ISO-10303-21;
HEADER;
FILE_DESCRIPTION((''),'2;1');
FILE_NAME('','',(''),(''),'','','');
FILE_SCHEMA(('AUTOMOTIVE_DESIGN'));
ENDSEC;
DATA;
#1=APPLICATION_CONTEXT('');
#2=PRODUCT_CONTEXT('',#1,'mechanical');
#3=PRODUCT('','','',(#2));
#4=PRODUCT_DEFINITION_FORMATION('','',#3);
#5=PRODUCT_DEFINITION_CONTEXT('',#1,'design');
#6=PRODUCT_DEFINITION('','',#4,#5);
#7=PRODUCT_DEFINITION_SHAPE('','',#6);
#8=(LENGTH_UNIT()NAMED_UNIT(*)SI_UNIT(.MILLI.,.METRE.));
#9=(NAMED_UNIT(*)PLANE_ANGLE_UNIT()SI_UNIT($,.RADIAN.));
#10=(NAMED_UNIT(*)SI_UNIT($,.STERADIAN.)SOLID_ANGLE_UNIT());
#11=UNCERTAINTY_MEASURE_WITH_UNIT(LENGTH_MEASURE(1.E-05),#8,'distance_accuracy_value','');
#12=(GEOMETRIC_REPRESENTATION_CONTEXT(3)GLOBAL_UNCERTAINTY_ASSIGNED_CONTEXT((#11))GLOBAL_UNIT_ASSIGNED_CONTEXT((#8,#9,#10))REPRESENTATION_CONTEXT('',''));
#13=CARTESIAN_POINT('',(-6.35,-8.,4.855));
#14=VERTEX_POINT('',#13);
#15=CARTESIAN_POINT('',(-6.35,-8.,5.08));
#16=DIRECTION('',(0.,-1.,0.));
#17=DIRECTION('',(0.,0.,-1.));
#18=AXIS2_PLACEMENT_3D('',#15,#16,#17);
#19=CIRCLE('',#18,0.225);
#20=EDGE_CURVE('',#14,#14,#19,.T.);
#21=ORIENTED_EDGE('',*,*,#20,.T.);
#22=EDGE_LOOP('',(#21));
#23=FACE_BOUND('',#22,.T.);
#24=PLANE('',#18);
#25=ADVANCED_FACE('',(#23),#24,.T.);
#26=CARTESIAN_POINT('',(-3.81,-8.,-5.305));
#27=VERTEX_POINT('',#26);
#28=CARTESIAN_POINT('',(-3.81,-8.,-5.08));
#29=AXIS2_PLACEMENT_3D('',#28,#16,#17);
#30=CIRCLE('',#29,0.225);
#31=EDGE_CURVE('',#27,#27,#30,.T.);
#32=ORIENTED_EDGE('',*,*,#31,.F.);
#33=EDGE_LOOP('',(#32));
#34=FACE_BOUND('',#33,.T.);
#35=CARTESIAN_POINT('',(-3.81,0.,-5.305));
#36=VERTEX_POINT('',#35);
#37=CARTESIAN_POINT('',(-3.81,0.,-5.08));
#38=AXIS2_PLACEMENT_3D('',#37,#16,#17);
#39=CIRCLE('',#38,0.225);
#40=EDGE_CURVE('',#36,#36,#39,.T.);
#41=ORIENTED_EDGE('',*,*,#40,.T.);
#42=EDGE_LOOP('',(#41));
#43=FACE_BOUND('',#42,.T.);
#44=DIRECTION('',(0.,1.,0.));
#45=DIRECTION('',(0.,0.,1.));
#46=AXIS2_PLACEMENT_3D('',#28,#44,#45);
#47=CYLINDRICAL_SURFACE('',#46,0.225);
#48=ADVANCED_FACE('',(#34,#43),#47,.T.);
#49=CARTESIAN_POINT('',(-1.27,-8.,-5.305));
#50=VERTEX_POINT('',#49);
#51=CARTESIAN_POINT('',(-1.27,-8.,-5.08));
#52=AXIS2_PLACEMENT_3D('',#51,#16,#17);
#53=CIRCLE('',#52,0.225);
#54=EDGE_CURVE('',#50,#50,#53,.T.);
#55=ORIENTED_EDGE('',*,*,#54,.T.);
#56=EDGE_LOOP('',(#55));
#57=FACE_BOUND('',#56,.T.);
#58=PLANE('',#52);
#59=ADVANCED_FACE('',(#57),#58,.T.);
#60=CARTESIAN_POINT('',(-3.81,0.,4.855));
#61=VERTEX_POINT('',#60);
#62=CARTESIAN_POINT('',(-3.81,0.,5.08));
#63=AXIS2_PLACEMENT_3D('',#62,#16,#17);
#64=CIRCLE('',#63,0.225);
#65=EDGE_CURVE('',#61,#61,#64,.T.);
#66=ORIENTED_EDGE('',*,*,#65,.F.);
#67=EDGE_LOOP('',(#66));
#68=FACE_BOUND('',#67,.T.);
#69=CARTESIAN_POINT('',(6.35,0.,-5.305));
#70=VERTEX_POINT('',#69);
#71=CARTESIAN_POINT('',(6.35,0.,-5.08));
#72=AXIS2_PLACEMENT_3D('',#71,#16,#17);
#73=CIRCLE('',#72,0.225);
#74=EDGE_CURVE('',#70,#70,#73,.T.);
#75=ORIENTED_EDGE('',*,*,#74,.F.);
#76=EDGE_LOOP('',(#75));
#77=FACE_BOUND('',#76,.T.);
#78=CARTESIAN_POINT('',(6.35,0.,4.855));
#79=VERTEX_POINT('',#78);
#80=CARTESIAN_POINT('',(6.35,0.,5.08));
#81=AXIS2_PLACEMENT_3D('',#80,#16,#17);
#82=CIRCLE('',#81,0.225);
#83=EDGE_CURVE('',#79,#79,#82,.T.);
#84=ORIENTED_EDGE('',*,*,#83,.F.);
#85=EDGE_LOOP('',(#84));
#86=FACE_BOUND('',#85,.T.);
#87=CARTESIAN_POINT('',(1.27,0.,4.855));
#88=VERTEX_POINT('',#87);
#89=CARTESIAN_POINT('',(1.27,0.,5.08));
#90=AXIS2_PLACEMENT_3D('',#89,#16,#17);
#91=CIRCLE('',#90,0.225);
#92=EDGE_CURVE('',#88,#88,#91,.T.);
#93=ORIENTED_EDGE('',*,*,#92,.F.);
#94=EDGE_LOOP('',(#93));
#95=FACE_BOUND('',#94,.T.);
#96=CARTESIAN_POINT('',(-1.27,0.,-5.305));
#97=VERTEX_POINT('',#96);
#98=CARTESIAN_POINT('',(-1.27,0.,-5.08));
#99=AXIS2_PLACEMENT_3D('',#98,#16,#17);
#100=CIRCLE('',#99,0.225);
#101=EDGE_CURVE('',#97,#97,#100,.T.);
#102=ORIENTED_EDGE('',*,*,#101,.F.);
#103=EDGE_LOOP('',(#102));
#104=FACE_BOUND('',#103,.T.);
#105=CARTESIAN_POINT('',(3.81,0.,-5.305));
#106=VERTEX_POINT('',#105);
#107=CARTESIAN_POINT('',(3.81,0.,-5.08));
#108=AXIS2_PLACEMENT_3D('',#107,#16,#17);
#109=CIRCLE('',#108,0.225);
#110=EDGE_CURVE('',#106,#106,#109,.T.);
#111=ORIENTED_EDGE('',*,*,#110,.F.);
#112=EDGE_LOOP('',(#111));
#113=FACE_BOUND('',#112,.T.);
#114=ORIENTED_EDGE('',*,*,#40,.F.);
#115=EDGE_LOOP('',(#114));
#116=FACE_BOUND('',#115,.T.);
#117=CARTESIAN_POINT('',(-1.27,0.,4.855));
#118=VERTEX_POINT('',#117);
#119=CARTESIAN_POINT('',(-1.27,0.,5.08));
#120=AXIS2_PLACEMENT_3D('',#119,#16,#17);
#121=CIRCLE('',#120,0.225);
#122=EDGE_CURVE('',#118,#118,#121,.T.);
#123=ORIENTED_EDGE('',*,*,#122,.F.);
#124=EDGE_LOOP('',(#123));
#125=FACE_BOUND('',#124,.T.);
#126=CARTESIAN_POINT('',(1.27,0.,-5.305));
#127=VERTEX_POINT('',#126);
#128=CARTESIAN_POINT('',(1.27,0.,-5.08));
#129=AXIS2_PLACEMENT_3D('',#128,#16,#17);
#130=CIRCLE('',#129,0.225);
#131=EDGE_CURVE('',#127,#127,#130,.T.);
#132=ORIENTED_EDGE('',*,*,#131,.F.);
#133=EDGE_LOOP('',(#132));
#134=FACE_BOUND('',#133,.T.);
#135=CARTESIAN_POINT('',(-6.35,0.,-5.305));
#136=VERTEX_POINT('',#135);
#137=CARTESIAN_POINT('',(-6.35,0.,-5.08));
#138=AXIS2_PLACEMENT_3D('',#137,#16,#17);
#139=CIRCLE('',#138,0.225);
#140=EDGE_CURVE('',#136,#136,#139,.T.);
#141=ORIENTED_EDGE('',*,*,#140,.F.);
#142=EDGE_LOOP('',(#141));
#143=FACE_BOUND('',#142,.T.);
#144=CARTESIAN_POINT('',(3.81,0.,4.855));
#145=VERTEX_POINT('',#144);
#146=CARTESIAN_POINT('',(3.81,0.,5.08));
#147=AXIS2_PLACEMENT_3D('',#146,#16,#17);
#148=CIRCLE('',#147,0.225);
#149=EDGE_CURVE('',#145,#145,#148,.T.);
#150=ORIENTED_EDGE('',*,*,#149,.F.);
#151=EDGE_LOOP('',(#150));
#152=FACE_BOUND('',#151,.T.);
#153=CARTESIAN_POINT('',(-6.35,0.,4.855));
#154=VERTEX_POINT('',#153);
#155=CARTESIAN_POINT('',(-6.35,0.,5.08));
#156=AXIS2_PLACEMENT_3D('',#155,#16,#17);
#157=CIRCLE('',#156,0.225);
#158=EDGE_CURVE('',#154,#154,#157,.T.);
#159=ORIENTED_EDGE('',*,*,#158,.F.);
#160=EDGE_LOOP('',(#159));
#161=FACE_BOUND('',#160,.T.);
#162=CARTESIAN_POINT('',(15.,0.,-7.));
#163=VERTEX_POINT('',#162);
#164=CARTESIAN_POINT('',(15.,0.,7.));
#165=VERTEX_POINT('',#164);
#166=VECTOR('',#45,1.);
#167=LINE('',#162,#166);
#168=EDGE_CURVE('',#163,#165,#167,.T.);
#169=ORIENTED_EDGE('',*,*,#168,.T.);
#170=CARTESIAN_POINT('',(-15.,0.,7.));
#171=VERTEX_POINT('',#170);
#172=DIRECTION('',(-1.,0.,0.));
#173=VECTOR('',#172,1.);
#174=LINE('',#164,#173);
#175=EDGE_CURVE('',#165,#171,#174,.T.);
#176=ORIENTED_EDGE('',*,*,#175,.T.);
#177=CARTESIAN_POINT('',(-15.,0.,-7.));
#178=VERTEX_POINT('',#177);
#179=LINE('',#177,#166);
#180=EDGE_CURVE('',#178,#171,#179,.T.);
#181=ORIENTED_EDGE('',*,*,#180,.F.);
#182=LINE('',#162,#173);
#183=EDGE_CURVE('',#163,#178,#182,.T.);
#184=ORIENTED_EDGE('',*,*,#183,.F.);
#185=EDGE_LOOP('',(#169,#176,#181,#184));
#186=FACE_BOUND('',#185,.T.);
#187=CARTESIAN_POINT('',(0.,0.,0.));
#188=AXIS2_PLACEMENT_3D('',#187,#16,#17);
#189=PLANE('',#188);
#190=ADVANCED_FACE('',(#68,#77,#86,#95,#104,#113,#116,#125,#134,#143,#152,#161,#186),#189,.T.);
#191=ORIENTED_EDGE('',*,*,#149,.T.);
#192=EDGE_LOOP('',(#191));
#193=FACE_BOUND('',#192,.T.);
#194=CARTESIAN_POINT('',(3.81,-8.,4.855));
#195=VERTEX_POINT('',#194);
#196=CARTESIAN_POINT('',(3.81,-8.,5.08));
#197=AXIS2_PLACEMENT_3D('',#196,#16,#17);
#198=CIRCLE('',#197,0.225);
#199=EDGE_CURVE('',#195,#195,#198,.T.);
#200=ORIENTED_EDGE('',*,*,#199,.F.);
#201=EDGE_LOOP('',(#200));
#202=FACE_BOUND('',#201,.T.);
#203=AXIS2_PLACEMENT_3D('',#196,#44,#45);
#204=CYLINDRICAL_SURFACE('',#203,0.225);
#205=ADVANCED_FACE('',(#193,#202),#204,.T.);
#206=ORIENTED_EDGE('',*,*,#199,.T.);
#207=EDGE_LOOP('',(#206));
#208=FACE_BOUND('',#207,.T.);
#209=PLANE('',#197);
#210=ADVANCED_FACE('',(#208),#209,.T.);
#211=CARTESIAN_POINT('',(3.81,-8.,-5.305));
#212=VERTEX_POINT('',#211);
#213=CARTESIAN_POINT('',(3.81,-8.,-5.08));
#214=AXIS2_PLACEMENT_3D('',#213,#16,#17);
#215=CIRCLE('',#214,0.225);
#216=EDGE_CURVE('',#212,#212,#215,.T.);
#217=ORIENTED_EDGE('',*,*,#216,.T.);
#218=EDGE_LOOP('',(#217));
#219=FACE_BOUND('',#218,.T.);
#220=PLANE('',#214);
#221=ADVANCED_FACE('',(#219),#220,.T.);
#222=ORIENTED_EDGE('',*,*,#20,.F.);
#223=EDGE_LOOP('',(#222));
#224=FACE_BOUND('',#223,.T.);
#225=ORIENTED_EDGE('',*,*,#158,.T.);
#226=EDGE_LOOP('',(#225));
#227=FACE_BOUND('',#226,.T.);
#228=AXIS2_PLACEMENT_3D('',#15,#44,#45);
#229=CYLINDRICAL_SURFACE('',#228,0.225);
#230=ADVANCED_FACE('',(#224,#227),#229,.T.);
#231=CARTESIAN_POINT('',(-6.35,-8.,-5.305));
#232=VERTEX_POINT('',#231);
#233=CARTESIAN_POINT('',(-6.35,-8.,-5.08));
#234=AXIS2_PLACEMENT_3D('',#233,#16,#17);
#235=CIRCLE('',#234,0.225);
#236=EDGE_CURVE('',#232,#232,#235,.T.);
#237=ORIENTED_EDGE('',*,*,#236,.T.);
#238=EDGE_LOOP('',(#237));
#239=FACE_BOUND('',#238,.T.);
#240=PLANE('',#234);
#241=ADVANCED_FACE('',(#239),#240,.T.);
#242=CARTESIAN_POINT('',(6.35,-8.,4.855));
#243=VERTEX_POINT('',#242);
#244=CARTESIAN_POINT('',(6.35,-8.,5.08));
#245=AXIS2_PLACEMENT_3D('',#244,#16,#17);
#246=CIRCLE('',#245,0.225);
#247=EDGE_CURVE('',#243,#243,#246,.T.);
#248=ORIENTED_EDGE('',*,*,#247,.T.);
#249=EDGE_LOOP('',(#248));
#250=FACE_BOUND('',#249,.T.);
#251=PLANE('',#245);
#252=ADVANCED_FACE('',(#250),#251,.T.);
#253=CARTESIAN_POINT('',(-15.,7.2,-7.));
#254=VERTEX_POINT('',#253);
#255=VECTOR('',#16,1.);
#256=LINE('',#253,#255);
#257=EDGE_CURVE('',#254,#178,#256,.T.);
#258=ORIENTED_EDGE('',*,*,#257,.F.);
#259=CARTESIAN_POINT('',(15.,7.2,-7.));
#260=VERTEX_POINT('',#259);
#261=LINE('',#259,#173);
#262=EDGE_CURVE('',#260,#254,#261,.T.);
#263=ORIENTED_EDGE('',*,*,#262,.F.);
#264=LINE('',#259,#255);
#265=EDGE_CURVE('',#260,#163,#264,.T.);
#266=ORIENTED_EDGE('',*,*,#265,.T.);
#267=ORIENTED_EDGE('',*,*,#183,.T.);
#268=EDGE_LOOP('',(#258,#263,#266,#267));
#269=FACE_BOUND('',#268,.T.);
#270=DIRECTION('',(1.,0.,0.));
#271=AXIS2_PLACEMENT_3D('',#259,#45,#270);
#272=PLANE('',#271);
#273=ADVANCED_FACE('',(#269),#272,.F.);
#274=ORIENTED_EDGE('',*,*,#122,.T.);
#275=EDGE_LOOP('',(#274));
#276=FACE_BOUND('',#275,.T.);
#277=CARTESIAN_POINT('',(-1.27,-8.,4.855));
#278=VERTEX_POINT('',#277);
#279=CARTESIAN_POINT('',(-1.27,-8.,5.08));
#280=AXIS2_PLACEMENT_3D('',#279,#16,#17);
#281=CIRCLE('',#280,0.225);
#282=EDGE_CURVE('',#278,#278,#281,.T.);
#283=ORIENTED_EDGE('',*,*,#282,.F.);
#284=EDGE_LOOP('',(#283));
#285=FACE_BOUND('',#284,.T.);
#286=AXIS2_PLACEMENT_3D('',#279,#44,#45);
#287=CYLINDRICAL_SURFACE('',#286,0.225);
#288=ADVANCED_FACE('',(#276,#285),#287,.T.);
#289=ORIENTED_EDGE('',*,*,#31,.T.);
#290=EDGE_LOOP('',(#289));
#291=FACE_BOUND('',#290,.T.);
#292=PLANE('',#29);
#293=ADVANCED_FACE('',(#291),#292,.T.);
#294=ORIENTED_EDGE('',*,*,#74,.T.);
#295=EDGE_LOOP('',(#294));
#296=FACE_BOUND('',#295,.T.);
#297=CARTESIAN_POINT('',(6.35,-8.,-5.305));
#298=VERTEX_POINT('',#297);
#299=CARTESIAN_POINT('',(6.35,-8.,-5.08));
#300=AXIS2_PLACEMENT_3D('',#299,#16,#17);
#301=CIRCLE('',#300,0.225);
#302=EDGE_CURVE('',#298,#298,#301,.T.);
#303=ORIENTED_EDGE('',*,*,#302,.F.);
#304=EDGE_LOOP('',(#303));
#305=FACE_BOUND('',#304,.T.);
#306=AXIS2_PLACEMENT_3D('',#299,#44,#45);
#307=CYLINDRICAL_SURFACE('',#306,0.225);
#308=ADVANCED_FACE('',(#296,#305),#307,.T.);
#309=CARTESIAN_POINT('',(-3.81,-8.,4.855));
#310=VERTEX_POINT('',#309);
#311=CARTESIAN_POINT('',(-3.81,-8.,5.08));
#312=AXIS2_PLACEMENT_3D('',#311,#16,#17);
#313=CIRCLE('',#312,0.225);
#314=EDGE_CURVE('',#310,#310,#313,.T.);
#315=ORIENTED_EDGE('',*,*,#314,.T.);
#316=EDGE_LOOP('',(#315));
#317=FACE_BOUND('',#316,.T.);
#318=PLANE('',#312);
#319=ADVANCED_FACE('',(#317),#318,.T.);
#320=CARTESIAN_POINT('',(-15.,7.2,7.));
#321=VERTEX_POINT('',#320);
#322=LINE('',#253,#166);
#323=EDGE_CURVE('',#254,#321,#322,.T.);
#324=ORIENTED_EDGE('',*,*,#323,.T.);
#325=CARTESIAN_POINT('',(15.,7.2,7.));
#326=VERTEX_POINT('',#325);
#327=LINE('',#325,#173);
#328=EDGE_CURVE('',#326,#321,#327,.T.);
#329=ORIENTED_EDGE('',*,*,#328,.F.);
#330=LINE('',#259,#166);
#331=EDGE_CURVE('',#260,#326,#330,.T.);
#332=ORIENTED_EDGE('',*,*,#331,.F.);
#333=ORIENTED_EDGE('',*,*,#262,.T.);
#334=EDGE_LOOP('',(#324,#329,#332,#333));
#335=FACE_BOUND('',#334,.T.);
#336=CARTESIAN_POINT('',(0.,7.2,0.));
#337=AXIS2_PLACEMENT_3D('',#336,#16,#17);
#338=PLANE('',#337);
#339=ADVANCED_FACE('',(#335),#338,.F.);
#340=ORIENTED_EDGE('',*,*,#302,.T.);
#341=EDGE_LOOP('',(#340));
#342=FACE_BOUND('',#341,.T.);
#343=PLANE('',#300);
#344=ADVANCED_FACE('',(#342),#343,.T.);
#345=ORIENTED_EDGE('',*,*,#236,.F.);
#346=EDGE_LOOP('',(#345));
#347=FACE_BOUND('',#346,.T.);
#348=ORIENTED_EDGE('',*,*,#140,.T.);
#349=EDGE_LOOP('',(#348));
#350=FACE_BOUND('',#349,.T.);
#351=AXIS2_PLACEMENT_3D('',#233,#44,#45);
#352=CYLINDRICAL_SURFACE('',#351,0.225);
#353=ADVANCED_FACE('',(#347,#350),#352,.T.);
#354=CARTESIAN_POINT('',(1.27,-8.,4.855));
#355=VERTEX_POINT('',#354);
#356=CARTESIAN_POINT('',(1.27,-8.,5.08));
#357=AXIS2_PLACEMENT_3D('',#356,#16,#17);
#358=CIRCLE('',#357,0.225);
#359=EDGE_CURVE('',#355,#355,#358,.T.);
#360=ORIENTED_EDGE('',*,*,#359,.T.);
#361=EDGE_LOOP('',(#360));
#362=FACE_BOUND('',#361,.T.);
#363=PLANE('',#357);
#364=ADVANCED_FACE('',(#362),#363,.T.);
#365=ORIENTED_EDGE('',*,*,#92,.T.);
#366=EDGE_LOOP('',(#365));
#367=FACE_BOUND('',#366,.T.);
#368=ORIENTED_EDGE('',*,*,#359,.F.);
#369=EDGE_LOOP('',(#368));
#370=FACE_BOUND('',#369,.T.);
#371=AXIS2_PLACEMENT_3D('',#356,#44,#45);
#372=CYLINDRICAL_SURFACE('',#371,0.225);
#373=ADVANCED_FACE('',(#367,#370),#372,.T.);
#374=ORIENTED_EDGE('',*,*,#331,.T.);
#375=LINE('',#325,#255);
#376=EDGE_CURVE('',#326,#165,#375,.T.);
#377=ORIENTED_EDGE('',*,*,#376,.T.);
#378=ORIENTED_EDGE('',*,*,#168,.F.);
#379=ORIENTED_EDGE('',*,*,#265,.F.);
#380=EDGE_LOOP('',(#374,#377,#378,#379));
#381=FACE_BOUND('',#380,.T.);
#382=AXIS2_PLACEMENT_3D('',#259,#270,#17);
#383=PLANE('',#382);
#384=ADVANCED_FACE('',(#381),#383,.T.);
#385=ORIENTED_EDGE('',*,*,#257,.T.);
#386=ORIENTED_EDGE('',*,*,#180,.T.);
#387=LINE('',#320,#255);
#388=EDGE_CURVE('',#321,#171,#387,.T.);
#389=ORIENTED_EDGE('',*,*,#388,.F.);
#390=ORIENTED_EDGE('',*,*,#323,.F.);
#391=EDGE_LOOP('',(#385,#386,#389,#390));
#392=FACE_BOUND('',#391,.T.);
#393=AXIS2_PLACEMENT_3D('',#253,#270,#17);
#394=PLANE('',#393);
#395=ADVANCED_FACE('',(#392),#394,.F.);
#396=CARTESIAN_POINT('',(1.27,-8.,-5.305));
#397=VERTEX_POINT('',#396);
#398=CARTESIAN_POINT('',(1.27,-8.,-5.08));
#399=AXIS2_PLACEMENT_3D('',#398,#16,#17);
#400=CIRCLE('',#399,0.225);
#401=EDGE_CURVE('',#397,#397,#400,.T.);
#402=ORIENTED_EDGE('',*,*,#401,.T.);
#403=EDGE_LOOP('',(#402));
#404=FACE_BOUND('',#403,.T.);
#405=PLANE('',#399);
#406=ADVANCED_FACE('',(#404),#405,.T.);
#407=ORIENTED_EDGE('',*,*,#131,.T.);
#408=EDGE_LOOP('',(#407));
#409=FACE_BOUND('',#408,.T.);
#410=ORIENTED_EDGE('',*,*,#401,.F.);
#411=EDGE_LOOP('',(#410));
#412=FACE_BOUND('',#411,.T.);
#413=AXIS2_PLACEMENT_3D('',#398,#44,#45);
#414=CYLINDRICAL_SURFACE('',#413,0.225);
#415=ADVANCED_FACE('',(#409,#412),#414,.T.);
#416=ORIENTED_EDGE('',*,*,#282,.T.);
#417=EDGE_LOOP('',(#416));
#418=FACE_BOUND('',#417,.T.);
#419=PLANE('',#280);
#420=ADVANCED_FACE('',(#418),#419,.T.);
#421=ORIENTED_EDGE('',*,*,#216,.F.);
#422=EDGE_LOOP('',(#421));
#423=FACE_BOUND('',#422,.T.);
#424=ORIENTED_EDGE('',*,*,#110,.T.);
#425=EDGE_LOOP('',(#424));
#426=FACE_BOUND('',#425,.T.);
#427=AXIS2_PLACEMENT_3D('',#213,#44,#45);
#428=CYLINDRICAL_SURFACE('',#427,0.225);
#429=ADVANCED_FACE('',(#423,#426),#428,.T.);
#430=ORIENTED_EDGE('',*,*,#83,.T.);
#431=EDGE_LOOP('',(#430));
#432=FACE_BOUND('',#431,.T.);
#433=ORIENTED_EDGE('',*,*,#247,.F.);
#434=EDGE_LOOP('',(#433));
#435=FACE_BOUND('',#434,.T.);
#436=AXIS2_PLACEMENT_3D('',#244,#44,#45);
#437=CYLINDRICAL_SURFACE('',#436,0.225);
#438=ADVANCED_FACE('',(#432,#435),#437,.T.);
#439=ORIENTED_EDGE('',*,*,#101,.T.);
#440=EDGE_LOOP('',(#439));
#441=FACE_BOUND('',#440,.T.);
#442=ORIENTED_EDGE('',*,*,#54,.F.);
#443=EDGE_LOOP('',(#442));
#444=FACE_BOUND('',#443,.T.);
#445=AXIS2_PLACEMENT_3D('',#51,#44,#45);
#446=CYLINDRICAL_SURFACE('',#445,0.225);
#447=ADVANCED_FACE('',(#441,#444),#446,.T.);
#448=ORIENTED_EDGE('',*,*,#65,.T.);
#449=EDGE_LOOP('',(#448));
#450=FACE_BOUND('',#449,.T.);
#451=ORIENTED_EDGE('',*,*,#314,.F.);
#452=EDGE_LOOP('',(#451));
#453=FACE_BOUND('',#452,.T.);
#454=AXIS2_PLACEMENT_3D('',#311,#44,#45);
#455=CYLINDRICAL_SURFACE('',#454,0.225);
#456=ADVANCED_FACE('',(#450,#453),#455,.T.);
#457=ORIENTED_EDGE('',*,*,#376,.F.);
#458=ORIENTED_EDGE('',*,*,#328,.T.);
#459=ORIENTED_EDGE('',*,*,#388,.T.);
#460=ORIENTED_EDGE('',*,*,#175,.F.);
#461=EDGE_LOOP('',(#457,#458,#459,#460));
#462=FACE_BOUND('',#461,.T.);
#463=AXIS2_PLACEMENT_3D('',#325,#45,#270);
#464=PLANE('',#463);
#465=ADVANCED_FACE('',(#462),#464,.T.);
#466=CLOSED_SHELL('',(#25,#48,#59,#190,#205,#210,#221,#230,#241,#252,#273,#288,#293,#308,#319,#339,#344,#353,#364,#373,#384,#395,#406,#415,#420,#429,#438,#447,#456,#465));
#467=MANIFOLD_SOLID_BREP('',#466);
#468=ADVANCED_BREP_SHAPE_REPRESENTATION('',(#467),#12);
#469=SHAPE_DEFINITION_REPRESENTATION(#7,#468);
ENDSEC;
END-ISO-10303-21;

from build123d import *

# Parameters (mm, degrees)
SKETCH1_W           = 30
SKETCH1_H           = 14
BOSS_EXTRUDE1_DEPTH = 7.2
SKETCH2_R           = 0.225
BOSS_EXTRUDE2_DEPTH = 8


with BuildPart() as part:
    # Sketch1 → Boss-Extrude1 (new body)
    with BuildSketch(Plane(origin=(0, 0, 0), x_dir=(1, 0, 0), z_dir=(0, 1, 0))):
        Rectangle(SKETCH1_W, SKETCH1_H)
    extrude(amount=BOSS_EXTRUDE1_DEPTH)

    # Sketch2 → Boss-Extrude2 (add)
    with BuildSketch(Plane.XZ):
        with Locations(Location((-6.35, -5.08, 0), (0, 0, 270))):
            Circle(SKETCH2_R)
        with Locations(Location((-3.81, -5.08, 0), (0, 0, 270))):
            Circle(SKETCH2_R)
        with Locations(Location((-1.27, -5.08, 0), (0, 0, 270))):
            Circle(SKETCH2_R)
        with Locations(Location((1.27, -5.08, 0), (0, 0, 270))):
            Circle(SKETCH2_R)
        with Locations(Location((3.81, -5.08, 0), (0, 0, 270))):
            Circle(SKETCH2_R)
        with Locations(Location((6.35, -5.08, 0), (0, 0, 270))):
            Circle(SKETCH2_R)
        with Locations(Location((-3.81, 5.08, 0), (0, 0, 270))):
            Circle(SKETCH2_R)
        with Locations(Location((-1.27, 5.08, 0), (0, 0, 270))):
            Circle(SKETCH2_R)
        with Locations(Location((1.27, 5.08, 0), (0, 0, 270))):
            Circle(SKETCH2_R)
        with Locations(Location((3.81, 5.08, 0), (0, 0, 270))):
            Circle(SKETCH2_R)
        with Locations(Location((6.35, 5.08, 0), (0, 0, 270))):
            Circle(SKETCH2_R)
        with Locations(Location((-6.35, 5.08, 0), (0, 0, 270))):
            Circle(SKETCH2_R)
    extrude(amount=BOSS_EXTRUDE2_DEPTH)


solid = part.part
